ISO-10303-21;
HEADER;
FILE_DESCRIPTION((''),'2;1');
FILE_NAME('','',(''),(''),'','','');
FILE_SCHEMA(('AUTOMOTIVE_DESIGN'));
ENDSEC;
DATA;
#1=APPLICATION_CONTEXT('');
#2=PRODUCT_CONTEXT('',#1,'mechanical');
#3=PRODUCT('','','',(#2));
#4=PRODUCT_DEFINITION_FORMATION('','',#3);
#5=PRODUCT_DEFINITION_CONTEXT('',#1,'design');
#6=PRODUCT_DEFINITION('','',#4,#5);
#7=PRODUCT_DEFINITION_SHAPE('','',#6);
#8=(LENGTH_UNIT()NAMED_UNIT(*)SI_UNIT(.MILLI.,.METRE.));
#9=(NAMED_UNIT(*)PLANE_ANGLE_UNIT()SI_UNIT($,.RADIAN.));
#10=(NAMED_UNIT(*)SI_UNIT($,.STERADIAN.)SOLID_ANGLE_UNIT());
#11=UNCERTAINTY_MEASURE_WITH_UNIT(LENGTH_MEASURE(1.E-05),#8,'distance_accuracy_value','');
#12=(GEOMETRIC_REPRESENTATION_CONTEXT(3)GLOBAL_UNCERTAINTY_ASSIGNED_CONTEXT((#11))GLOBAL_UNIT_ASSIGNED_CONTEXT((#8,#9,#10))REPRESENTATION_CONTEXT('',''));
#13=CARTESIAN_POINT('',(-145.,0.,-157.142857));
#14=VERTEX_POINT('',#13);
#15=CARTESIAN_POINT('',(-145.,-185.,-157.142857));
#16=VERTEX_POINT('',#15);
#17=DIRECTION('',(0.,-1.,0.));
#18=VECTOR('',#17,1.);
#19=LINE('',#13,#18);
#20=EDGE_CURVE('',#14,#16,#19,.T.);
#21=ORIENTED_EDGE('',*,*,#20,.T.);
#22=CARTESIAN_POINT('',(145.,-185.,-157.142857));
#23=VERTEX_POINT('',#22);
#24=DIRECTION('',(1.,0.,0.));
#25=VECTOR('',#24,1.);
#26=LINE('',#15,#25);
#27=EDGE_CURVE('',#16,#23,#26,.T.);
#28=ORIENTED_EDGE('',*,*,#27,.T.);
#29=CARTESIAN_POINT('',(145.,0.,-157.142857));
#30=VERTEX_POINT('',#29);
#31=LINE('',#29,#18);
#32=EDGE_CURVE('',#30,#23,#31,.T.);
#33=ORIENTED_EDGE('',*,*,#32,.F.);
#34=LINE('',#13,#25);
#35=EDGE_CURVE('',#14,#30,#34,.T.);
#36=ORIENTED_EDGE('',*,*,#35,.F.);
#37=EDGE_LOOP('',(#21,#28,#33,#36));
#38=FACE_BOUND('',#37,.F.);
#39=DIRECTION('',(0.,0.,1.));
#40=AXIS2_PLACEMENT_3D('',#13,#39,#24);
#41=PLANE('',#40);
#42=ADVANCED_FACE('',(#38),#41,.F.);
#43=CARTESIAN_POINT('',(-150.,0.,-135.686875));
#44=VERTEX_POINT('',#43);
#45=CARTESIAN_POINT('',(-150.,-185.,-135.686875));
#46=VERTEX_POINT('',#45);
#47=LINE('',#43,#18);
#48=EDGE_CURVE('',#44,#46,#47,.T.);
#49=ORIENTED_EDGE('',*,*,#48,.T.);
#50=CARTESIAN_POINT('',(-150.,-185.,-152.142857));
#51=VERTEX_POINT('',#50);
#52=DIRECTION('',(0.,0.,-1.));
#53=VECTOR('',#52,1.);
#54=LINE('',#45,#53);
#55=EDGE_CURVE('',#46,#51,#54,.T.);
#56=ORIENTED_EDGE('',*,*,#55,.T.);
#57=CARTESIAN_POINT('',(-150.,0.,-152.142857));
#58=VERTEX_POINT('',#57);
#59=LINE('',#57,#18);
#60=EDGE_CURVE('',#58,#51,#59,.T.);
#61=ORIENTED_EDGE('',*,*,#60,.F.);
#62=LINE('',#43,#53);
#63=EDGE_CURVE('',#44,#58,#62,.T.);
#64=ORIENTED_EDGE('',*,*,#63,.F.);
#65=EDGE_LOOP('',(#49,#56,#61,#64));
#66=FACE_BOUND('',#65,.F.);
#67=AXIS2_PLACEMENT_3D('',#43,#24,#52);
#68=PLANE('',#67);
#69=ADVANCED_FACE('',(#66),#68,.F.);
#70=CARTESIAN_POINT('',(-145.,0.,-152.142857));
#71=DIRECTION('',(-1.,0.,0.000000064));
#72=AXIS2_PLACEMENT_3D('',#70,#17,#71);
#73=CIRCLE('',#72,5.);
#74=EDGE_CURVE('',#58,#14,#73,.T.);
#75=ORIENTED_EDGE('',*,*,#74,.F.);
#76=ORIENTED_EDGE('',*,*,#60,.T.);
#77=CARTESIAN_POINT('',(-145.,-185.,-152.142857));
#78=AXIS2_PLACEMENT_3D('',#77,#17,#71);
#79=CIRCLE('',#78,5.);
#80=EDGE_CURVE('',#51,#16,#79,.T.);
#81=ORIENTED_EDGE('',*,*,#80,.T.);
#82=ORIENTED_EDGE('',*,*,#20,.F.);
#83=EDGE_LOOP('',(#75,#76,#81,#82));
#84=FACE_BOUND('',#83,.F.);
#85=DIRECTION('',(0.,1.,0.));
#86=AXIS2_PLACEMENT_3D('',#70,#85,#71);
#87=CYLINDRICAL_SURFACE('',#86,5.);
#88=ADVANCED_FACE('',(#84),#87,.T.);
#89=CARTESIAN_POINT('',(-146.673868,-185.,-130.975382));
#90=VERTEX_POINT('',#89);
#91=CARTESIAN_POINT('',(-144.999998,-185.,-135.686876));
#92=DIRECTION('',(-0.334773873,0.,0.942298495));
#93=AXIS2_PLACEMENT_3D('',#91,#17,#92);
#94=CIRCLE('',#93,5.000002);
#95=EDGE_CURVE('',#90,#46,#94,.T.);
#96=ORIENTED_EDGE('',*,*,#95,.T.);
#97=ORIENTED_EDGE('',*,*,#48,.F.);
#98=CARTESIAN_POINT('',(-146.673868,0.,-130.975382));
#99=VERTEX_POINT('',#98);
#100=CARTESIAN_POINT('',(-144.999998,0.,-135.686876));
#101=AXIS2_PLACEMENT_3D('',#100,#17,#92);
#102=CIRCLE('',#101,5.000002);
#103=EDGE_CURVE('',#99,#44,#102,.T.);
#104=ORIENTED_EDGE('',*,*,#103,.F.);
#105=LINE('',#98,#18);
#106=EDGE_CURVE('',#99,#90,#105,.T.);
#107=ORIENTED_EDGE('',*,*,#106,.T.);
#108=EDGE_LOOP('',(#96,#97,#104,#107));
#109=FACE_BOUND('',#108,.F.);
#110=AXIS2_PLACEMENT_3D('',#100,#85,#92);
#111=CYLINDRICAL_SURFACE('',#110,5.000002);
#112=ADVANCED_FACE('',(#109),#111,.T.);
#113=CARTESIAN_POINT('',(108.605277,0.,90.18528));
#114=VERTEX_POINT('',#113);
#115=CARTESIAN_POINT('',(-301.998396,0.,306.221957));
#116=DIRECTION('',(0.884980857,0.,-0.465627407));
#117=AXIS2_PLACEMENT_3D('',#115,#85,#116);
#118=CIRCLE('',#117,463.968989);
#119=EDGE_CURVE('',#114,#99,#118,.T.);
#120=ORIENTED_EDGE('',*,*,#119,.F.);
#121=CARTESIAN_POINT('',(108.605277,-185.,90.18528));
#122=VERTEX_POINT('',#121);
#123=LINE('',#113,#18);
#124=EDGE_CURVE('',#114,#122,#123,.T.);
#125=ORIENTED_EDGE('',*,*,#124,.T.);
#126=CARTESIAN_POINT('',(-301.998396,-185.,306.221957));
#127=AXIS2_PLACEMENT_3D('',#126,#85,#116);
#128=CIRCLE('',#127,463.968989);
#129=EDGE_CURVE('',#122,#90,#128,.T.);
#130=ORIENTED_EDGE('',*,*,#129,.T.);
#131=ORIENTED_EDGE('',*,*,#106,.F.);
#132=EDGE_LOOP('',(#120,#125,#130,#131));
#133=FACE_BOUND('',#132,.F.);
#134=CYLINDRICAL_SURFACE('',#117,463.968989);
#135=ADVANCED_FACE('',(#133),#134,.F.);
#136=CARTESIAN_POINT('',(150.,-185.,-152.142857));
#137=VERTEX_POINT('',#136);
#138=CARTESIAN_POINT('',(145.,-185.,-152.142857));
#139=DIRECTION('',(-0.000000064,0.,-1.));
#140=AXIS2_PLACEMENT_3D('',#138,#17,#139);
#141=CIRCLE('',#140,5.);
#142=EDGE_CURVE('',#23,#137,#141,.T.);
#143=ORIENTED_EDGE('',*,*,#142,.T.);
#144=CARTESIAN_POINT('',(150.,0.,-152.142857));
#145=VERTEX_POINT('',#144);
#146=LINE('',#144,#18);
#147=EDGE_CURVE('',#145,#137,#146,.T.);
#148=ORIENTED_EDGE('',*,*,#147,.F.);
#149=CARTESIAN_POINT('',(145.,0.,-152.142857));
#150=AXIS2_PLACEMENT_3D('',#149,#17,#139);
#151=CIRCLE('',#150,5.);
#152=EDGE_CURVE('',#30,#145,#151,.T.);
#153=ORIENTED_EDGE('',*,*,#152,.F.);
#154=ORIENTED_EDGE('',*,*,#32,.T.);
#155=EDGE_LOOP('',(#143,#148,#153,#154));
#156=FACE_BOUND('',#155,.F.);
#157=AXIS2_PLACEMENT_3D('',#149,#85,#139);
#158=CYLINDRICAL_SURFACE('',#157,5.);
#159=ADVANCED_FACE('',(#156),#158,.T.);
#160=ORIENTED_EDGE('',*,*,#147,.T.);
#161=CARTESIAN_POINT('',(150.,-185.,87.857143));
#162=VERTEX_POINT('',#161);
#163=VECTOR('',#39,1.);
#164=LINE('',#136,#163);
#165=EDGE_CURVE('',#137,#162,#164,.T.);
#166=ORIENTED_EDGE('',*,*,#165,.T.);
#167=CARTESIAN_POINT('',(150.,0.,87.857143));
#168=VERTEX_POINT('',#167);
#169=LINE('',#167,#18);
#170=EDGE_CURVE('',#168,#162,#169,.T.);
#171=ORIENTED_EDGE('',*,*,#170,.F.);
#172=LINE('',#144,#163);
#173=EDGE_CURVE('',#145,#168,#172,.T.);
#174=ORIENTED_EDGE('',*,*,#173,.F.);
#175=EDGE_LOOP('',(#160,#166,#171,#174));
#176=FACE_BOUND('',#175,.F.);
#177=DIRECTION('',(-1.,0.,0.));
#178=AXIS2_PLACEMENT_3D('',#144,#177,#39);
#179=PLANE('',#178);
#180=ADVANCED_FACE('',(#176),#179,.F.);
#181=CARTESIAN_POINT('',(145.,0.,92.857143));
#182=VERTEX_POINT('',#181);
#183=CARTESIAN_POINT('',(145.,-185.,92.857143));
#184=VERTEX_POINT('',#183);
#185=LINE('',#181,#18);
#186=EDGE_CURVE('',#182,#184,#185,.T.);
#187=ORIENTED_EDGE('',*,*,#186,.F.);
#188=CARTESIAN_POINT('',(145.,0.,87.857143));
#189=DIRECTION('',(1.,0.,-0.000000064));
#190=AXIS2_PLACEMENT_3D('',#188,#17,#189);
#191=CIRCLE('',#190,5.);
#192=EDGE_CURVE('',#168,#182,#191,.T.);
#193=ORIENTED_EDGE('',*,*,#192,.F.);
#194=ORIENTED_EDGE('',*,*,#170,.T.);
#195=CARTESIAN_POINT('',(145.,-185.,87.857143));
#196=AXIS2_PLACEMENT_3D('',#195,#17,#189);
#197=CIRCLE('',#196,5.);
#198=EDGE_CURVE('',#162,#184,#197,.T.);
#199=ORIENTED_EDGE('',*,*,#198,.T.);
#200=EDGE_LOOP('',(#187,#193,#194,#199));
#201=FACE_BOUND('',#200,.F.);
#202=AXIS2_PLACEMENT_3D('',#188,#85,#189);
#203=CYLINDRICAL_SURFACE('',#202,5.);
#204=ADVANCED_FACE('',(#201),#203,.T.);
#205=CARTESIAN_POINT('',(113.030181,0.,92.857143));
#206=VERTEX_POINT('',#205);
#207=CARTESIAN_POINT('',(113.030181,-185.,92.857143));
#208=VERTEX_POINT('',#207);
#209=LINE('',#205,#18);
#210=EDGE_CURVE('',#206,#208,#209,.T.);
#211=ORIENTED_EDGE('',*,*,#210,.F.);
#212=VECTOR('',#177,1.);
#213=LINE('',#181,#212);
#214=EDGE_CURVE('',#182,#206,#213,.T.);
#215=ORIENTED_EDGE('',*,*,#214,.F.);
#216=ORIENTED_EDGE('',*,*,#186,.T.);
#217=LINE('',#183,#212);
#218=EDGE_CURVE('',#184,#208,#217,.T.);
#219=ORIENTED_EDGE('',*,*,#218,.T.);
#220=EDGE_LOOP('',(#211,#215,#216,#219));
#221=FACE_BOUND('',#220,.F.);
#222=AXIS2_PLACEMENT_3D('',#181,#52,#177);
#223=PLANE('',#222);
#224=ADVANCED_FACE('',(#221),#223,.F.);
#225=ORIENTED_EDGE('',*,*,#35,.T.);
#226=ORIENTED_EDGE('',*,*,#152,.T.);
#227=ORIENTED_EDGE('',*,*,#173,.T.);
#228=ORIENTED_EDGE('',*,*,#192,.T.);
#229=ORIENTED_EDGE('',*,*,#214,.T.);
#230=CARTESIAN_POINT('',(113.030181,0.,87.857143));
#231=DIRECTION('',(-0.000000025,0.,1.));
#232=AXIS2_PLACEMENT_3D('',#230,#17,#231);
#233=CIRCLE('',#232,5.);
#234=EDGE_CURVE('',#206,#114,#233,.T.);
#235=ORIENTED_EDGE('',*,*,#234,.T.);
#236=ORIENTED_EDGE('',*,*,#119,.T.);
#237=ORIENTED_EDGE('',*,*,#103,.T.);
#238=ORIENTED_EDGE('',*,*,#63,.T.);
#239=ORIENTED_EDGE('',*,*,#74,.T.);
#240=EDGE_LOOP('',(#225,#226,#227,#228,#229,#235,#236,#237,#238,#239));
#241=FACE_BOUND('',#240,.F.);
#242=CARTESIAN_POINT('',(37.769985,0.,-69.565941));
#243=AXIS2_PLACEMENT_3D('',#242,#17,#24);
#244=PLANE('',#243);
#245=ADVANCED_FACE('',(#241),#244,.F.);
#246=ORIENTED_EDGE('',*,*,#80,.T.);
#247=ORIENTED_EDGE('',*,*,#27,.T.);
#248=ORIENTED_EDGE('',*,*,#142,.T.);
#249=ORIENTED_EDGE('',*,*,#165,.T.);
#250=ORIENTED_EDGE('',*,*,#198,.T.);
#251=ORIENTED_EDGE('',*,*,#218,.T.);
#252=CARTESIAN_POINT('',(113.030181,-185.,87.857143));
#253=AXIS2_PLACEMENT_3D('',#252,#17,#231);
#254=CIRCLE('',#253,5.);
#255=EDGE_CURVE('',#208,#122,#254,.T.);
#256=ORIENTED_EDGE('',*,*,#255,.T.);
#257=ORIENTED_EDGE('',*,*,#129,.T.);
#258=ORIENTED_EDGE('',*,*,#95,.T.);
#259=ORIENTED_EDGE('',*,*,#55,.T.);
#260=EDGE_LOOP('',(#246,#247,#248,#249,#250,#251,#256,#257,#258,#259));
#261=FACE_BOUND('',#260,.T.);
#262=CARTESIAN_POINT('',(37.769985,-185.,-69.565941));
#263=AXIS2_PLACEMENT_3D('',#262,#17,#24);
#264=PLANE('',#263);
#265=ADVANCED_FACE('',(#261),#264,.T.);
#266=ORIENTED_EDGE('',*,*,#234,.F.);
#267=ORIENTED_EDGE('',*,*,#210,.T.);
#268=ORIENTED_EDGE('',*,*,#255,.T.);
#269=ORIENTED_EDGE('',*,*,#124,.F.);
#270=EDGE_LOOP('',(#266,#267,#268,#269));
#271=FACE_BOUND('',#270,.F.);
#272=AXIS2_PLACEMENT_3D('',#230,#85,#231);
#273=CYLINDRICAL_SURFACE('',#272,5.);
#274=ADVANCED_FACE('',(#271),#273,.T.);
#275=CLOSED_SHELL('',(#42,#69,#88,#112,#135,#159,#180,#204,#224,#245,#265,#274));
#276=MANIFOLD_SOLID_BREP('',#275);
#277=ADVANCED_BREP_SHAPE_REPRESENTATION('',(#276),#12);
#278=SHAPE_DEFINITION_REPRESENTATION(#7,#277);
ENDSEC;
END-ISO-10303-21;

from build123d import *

# Parameters (mm, degrees)
F1_DEPTH = 185


with BuildPart() as f1:
    # F0 (on Front) → F1 (new body)
    with BuildSketch(Plane.XZ):
        with BuildLine():
            ThreePointArc((-150, -152.142857), (-148.535534, -155.678391), (-145, -157.142857))
            Line((-145, -157.142857), (145, -157.142857))
            ThreePointArc((145, -157.142857), (148.535534, -155.678391), (150, -152.142857))
            Line((150, -152.142857), (150, 87.857143))
            ThreePointArc((150, 87.857143), (148.535534, 91.392677), (145, 92.857143))
            Line((145, 92.857143), (113.030181, 92.857143))
            ThreePointArc((113.030181, 92.857143), (110.445678, 92.13737), (108.605277, 90.18528))
            ThreePointArc((108.605277, 90.18528), (1.80531, -44.449585), (-146.673868, -130.975382))
            ThreePointArc((-146.673868, -130.975382), (-149.084687, -132.803244), (-150, -135.686875))
            Line((-150, -135.686875), (-150, -152.142857))
        make_face()
    extrude(amount=F1_DEPTH)


solid = f1.part
